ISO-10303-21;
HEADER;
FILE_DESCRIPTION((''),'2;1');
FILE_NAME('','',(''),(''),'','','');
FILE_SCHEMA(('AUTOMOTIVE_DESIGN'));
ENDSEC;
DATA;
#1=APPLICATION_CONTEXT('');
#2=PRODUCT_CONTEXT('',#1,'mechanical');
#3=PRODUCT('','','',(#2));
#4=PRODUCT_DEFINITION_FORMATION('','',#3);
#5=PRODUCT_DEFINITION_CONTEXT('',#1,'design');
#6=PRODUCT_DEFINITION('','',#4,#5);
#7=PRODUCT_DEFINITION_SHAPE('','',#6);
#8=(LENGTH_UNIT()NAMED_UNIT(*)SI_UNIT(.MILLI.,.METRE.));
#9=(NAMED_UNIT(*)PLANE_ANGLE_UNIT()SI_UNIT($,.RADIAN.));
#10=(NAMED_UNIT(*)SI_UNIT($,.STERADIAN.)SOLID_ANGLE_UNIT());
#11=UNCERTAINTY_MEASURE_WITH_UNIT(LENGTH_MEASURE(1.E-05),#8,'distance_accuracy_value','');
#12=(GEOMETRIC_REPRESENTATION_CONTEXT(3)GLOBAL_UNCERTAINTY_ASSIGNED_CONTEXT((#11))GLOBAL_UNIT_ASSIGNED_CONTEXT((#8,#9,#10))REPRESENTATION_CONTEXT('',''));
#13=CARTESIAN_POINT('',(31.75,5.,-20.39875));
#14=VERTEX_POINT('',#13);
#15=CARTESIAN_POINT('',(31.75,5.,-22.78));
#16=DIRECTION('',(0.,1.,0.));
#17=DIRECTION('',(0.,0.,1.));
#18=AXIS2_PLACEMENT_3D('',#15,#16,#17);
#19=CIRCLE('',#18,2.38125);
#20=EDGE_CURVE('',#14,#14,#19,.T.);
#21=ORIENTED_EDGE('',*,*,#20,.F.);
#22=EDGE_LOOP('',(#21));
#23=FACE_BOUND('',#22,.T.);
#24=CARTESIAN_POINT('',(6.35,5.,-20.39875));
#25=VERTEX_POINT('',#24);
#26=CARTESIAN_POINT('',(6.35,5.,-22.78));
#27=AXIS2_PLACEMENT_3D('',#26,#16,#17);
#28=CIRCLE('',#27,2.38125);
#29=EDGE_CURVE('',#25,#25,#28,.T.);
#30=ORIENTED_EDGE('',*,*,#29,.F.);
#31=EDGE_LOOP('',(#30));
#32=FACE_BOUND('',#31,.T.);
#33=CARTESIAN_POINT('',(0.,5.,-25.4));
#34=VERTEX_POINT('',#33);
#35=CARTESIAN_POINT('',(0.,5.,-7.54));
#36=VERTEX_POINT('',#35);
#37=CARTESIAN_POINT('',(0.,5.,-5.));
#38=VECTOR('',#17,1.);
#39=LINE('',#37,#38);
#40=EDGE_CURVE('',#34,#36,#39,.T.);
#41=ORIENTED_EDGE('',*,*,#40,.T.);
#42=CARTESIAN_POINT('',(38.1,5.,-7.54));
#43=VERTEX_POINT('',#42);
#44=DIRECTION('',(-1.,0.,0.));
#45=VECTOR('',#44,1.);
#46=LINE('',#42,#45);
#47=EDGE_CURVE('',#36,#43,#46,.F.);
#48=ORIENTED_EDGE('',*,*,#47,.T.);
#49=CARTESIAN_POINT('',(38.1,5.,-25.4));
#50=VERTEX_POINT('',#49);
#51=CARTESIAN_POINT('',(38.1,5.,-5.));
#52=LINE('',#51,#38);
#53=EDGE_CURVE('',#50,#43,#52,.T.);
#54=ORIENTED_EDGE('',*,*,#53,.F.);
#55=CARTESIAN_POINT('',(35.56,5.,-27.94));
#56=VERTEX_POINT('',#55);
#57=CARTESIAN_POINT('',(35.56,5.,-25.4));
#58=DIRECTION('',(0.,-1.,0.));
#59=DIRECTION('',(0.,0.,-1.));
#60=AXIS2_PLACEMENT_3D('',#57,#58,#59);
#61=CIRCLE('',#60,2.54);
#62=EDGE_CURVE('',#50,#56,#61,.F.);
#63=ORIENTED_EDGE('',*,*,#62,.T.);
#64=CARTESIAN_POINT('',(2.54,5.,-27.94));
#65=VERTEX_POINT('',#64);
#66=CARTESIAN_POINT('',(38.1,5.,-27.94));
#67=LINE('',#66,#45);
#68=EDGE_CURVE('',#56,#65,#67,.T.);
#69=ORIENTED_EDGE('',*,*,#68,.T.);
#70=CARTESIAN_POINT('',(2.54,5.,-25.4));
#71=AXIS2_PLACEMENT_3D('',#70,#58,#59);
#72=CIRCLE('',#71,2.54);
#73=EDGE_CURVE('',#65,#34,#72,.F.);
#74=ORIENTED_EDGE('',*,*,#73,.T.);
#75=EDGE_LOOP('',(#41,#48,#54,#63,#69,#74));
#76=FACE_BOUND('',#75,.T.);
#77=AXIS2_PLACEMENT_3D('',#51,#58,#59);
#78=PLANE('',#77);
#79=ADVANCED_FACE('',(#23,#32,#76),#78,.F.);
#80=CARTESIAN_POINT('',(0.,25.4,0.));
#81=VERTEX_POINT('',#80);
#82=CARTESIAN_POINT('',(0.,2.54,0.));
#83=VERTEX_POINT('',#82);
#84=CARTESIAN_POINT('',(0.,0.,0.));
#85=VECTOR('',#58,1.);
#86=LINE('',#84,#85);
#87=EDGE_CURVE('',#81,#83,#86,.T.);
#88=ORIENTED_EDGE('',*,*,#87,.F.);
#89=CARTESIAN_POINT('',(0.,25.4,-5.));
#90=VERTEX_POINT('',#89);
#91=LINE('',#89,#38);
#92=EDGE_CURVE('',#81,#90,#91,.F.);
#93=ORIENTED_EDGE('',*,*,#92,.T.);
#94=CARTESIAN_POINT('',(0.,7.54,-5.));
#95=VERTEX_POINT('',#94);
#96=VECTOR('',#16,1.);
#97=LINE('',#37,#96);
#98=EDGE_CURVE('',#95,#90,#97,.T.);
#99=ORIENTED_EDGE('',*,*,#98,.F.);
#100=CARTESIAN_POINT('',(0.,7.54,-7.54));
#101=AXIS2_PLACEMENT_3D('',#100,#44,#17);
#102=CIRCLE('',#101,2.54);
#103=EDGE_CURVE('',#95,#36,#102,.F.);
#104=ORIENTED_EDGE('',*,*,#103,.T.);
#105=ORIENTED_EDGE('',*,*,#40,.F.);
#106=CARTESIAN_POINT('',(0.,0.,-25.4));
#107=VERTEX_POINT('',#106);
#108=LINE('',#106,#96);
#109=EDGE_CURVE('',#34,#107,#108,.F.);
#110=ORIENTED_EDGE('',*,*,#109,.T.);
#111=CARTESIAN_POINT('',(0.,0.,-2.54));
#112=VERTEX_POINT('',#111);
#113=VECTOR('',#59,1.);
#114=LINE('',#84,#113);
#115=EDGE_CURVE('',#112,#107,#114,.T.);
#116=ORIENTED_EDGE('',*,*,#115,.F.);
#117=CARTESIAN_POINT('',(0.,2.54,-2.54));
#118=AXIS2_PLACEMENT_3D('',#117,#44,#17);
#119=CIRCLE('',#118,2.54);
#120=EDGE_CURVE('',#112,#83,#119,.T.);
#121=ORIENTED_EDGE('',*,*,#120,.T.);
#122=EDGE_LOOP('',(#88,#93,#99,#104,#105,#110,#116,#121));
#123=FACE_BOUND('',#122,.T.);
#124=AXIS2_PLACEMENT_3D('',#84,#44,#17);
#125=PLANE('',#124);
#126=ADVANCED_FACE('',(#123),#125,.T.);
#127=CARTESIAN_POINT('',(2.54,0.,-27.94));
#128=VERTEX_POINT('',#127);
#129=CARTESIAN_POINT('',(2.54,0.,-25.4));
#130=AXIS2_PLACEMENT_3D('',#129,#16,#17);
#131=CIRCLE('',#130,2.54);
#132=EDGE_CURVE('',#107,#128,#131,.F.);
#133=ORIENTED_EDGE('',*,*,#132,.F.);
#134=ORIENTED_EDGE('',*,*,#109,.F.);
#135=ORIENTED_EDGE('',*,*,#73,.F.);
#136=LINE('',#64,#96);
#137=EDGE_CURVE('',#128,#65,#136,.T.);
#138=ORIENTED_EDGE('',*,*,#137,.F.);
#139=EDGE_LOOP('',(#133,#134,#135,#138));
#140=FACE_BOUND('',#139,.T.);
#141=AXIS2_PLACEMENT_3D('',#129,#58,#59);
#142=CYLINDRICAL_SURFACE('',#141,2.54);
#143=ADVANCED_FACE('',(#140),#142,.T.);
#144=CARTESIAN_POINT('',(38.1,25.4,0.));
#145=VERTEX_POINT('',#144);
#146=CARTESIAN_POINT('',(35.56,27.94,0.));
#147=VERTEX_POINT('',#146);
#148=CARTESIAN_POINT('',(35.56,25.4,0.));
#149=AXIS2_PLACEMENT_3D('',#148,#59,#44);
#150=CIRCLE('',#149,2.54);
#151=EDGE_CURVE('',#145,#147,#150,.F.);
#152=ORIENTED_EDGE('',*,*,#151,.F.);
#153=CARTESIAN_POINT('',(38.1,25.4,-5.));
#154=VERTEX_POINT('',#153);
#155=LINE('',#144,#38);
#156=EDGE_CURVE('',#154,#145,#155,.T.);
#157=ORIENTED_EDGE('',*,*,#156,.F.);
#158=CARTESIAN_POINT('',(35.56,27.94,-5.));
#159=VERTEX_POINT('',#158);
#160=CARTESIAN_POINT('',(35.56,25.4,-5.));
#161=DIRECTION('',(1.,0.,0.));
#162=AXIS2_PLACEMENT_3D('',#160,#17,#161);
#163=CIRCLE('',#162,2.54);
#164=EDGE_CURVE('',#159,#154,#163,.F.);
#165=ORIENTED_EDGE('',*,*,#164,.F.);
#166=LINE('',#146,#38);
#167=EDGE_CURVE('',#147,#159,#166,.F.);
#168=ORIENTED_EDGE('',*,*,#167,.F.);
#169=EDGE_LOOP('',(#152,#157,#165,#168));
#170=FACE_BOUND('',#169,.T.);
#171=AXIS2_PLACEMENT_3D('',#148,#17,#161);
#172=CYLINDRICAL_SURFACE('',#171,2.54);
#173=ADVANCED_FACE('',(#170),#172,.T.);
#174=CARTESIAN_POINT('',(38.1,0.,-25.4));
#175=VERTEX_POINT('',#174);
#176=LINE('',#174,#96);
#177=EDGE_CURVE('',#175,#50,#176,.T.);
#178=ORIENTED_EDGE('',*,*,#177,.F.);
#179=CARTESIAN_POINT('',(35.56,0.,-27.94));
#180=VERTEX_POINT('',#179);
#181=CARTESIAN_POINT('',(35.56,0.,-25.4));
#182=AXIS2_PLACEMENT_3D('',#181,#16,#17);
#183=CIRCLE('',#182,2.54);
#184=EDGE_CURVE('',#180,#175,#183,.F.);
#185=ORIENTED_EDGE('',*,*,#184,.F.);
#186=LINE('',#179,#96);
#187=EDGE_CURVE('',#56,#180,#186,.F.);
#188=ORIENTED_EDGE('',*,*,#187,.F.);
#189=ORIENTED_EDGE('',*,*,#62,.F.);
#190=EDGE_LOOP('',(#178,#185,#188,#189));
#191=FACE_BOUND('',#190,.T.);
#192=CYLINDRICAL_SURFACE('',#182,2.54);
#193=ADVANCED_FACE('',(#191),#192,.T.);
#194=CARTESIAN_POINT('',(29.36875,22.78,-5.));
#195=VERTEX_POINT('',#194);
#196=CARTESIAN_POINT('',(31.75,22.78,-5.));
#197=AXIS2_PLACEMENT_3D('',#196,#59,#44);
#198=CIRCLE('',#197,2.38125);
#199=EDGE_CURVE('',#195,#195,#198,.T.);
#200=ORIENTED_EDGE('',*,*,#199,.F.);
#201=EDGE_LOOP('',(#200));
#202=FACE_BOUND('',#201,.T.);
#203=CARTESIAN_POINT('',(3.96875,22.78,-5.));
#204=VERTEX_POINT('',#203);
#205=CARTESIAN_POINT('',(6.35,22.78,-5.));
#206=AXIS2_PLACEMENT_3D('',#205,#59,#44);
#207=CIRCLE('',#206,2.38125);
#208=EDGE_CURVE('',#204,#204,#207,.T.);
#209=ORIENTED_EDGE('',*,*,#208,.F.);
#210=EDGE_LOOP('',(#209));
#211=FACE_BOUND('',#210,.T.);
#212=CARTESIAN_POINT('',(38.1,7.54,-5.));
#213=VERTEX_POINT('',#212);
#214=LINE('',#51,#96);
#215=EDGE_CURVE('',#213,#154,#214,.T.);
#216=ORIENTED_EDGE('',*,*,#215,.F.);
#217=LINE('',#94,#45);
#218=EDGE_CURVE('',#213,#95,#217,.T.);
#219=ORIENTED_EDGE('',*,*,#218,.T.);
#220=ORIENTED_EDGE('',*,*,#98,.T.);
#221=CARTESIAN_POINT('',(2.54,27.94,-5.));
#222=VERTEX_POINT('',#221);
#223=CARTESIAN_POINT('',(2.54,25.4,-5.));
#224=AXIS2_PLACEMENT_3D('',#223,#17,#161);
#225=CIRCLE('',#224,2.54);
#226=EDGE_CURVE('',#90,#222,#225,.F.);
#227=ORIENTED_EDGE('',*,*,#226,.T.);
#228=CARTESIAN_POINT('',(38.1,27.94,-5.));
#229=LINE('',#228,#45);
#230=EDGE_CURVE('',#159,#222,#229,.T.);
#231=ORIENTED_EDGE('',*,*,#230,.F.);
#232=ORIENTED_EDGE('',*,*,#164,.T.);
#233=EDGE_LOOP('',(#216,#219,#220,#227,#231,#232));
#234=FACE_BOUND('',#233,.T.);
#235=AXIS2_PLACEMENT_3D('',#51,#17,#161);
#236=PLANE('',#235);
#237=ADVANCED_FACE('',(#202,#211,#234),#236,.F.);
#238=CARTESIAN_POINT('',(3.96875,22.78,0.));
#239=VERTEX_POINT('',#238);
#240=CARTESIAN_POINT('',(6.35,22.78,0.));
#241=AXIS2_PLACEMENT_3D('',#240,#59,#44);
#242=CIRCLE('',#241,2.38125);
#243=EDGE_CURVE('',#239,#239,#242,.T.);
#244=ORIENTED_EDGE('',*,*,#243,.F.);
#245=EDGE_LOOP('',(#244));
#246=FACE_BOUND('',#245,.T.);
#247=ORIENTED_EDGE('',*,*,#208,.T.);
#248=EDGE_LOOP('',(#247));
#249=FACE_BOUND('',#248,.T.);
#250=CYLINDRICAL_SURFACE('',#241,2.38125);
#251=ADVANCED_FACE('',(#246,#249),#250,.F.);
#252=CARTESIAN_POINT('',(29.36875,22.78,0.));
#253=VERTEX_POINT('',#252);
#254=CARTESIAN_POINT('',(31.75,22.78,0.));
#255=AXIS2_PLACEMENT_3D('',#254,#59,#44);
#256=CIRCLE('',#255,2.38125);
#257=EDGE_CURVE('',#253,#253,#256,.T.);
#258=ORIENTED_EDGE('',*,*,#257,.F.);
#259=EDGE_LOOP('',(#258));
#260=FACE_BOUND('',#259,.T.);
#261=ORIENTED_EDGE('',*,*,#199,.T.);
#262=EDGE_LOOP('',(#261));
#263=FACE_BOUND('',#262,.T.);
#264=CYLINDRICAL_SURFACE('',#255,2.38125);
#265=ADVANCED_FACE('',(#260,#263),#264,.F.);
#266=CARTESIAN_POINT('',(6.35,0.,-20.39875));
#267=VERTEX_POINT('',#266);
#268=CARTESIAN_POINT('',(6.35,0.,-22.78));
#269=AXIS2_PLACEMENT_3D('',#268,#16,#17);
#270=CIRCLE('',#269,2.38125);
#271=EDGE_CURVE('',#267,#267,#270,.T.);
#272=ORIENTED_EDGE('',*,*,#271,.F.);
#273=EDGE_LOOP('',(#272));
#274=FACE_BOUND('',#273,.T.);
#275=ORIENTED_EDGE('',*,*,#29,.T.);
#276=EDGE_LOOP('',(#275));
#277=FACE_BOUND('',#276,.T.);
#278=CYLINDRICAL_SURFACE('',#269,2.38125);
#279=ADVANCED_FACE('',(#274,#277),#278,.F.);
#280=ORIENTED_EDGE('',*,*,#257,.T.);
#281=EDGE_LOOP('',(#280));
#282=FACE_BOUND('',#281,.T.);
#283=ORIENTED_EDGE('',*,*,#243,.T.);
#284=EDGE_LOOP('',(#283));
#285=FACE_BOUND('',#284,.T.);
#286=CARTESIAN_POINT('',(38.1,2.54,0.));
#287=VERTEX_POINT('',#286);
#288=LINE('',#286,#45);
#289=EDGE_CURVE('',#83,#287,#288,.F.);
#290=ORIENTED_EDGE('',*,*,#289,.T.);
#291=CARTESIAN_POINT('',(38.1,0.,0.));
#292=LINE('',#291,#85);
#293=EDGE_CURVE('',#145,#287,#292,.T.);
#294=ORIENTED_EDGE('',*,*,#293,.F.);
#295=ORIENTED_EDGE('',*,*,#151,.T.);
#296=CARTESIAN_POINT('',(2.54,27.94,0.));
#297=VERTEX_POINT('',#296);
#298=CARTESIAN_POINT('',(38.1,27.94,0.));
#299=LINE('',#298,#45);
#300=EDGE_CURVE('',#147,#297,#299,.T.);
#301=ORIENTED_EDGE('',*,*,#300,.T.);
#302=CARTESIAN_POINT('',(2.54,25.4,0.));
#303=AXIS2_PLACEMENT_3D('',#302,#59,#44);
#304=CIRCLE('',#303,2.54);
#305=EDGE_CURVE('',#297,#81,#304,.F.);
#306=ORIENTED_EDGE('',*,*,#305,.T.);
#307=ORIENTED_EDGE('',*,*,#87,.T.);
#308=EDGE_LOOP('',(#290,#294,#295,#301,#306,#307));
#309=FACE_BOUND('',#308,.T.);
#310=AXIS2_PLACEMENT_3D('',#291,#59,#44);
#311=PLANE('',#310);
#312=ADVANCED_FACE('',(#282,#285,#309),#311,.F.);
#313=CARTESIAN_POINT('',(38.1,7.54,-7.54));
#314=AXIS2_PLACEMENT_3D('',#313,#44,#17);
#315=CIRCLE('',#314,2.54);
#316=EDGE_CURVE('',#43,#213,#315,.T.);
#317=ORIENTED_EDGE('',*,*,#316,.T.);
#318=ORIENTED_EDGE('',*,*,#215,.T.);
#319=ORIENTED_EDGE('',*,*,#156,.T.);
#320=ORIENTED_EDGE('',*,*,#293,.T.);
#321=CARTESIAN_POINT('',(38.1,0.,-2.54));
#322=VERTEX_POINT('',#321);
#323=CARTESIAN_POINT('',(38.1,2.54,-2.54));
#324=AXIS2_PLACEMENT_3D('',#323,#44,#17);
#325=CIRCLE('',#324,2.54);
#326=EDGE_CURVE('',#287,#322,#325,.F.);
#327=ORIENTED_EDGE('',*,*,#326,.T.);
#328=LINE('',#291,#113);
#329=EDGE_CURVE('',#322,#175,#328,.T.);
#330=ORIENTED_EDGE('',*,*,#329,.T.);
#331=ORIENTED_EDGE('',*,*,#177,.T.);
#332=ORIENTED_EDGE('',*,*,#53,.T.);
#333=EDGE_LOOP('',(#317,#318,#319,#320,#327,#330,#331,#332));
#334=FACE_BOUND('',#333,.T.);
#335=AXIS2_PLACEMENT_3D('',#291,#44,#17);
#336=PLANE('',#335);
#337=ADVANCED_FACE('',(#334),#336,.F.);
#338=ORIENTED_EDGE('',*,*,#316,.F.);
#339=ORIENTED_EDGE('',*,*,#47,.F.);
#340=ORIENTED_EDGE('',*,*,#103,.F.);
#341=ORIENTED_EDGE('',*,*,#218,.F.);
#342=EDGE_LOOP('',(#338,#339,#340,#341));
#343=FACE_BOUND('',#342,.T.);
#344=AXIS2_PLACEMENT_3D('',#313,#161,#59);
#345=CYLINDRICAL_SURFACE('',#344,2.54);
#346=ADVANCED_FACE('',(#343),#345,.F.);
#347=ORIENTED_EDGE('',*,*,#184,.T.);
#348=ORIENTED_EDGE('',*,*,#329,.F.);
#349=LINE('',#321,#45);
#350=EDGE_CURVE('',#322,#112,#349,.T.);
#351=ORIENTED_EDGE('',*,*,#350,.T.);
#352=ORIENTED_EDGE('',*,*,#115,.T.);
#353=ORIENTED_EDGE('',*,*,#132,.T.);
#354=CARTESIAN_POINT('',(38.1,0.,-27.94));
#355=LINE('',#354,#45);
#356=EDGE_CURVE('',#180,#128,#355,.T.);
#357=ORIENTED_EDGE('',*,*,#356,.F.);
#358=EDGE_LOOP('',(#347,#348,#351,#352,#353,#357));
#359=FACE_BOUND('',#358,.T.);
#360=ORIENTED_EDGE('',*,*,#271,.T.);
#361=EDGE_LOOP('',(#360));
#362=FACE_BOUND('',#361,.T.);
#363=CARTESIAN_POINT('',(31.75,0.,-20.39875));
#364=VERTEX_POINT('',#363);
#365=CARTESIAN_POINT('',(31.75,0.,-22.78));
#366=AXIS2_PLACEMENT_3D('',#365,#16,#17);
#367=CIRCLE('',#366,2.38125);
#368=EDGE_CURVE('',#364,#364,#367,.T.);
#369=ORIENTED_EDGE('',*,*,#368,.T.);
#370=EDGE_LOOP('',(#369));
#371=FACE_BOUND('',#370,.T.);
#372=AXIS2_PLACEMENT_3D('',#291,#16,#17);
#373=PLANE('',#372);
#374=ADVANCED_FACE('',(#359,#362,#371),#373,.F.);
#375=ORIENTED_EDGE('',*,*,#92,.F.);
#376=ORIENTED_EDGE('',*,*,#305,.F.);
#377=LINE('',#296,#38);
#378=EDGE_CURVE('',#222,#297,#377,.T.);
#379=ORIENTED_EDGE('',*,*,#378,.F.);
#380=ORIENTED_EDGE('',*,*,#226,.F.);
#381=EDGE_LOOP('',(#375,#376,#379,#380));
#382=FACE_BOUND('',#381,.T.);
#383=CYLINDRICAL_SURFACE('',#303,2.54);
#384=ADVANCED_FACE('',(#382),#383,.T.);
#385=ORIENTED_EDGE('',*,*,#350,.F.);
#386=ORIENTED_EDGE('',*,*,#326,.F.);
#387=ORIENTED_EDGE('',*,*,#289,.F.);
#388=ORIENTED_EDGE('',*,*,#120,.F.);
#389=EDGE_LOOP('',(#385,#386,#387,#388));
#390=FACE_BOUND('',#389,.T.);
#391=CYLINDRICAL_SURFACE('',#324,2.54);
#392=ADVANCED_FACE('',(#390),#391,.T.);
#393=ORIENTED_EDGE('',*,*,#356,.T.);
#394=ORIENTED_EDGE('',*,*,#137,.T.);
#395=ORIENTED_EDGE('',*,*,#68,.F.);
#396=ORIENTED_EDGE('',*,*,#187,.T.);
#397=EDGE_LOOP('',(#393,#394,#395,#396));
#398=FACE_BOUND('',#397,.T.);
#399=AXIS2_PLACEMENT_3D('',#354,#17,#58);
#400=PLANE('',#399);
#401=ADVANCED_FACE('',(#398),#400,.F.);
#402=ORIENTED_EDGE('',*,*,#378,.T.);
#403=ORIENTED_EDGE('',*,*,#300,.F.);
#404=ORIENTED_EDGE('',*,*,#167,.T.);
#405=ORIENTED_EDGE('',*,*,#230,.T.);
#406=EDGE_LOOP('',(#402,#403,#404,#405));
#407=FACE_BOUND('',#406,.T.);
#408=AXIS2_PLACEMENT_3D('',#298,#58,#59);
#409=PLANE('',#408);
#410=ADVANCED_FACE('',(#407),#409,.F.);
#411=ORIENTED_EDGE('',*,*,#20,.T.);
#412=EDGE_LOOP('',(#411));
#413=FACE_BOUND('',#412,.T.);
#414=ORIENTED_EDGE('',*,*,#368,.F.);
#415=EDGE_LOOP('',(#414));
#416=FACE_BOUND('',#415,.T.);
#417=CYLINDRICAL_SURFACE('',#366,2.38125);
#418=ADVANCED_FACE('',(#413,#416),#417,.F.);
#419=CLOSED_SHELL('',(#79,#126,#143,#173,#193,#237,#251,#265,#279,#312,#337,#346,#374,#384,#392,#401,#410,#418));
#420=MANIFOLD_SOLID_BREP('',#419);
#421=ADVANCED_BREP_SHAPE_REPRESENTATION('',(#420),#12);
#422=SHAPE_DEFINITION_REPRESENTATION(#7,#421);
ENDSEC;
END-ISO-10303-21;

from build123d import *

# Parameters (mm, degrees)
BOSS_EXTRUDE1_DEPTH            = 38.1
FILLET1_R                      = 2.54
SKETCH3_R                      = 2.38125
GUESS_OF_WHERE_HOLES_ARE_DEPTH = 53.521397544
SKETCH4_R                      = 2.38125
CUT_EXTRUDE2_DEPTH             = 53.521397544


with BuildPart() as part:
    # Sketch2 → Boss-Extrude1 (new body)
    with BuildSketch(Plane(origin=(0, 0, 0), x_dir=(0, 0, -1), z_dir=(1, 0, 0))):
        Polygon((0, 0), (27.94, 0), (27.94, 5), (5, 5), (5, 27.94), (0, 27.94), align=None)
    extrude(amount=BOSS_EXTRUDE1_DEPTH)

    # Fillet1
    fillet1_edges = [part.edges().sort_by_distance(p)[0] for p in [
        (19.05, 5, -5),
        (19.05, 0, 0),
        (38.1, 2.5, -27.94),
        (0, 2.5, -27.94),
        (0, 27.94, -2.5),
        (38.1, 27.94, -2.5),
    ]]
    fillet(fillet1_edges, radius=FILLET1_R)

    # Sketch3 → guess_of_where_holes_are (cut, through all)
    with BuildSketch(Plane(origin=(0, 0, -5), x_dir=(-1, 0, 0), z_dir=(0, 0, -1))):
        with Locations((-31.75, 22.78)):
            Circle(SKETCH3_R)
        with Locations((-6.35, 22.78)):
            Circle(SKETCH3_R)
    extrude(amount=-GUESS_OF_WHERE_HOLES_ARE_DEPTH, mode=Mode.SUBTRACT)

    # Sketch4 → Cut-Extrude2 (cut, through all)
    with BuildSketch(Plane(origin=(0, 5, 0), x_dir=(1, 0, 0), z_dir=(0, 1, 0))):
        with Locations(Location((31.75, 22.78, 0), (0, 0, 270))):
            Circle(SKETCH4_R)
        with Locations(Location((6.35, 22.78, 0), (0, 0, 270))):
            Circle(SKETCH4_R)
    extrude(amount=-CUT_EXTRUDE2_DEPTH, mode=Mode.SUBTRACT)


solid = part.part
